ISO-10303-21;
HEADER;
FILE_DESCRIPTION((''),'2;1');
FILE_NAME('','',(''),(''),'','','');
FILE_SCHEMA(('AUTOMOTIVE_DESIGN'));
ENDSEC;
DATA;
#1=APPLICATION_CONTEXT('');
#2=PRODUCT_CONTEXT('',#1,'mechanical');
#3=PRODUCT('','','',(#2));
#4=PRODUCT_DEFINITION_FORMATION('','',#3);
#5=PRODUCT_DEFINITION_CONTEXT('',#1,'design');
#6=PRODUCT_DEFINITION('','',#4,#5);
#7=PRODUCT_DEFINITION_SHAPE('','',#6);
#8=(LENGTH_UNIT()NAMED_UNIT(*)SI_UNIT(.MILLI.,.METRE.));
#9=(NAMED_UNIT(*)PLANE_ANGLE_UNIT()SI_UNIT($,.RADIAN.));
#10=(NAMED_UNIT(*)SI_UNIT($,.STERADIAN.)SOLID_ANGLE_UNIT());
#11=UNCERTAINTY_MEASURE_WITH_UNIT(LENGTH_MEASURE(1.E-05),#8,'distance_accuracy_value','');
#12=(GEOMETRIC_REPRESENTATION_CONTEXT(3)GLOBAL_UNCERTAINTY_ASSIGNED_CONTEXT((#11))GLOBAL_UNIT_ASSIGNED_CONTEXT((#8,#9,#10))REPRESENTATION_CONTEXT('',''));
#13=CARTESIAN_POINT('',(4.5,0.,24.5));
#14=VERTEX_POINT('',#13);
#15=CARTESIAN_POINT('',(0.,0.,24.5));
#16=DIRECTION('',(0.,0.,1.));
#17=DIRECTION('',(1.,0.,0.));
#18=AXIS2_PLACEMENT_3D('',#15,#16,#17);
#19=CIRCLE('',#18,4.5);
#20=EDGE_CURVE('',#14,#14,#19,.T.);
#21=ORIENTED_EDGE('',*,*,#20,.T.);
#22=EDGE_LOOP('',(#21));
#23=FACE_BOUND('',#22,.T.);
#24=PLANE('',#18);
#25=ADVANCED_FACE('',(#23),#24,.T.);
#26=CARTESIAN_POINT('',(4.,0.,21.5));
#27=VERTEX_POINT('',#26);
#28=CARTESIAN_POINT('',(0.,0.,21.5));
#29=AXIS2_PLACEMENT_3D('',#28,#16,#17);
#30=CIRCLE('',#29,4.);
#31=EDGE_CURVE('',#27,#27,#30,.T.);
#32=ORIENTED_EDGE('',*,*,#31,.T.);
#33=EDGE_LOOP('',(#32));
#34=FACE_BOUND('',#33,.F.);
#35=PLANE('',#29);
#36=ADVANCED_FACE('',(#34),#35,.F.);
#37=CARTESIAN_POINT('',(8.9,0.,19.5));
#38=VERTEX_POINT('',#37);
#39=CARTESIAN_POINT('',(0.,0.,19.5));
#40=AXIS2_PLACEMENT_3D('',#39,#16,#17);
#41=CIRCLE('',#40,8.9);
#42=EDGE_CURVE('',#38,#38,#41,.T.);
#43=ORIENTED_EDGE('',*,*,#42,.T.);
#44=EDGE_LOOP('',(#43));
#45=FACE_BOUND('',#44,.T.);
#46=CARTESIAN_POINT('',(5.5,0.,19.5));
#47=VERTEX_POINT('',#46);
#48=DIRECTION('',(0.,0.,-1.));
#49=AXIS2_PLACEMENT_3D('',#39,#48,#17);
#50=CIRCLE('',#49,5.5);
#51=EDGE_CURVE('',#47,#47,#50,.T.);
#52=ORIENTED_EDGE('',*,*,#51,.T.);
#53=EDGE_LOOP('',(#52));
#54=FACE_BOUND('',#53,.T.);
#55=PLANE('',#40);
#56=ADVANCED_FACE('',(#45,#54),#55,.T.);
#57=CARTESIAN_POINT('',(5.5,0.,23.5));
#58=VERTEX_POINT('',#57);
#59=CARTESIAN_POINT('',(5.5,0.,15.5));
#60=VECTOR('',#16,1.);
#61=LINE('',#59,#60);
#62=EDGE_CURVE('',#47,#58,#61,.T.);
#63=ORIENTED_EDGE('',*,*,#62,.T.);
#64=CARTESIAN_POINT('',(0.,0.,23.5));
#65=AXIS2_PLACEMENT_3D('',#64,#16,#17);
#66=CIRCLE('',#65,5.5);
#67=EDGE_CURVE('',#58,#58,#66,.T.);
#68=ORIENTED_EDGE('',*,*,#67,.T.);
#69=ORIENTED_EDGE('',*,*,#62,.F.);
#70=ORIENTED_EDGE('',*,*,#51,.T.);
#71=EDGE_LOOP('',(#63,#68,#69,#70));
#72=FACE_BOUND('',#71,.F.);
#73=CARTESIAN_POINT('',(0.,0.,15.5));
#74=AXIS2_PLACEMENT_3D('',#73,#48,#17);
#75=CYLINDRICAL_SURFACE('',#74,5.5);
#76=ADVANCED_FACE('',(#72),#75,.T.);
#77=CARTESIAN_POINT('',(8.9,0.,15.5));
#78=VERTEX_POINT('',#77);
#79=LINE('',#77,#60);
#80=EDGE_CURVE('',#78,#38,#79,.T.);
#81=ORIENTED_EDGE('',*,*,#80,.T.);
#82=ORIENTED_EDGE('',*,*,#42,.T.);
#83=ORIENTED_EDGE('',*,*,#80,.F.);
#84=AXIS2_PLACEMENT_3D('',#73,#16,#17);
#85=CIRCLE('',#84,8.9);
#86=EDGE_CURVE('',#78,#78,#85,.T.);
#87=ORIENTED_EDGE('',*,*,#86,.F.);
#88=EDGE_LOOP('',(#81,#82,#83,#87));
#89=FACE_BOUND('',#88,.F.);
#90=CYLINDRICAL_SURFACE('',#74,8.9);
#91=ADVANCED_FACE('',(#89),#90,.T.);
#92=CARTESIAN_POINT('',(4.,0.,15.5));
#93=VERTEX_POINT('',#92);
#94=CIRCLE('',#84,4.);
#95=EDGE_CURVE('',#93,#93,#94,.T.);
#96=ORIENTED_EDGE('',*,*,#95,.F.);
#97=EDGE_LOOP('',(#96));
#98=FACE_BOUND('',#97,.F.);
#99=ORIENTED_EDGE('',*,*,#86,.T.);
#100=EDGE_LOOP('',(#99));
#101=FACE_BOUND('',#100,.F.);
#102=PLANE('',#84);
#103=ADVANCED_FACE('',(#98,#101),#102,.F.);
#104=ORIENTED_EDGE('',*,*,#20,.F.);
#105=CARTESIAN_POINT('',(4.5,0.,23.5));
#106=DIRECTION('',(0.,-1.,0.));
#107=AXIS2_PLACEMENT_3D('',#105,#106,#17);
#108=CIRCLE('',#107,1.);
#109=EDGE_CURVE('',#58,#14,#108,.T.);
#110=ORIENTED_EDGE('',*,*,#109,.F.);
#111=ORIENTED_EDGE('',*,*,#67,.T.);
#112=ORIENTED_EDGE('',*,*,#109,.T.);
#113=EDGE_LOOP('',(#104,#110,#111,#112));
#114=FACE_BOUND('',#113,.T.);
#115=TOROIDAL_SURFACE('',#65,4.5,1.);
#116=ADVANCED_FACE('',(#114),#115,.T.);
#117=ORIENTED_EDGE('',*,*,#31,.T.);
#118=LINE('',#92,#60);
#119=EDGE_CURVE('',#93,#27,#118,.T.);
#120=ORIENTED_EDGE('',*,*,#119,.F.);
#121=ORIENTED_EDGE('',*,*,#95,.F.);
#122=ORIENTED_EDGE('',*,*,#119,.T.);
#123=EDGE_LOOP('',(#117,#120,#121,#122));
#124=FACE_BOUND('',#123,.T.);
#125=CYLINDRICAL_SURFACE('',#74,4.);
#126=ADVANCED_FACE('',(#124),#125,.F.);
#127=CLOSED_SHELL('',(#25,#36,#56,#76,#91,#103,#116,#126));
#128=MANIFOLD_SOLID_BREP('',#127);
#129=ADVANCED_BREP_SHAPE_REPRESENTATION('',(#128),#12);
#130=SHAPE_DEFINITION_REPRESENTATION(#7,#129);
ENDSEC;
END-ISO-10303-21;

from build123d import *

# Parameters (mm, degrees)
CYLINDER063_R     = 4
CYLINDER063_DEPTH = 6
CYLINDER064_R     = 5.5
CYLINDER064_DEPTH = 9
FILLET005_R       = 1
CYLINDER065_R     = 8.9
CYLINDER065_DEPTH = 4


with BuildPart() as cylinder063:
    # Cylinder063 → Cylinder063 (new body)
    with BuildSketch(Plane.XY.offset(15.5)):
        Circle(CYLINDER063_R)
    extrude(amount=CYLINDER063_DEPTH)


with BuildPart() as fillet005:
    # Cylinder064 → Cylinder064 (new body)
    with BuildSketch(Plane.XY.offset(15.5)):
        Circle(CYLINDER064_R)
    extrude(amount=CYLINDER064_DEPTH)

    # Fillet005
    fillet005_edges = [fillet005.edges().sort_by_distance(p)[0] for p in [
        (-5.5, 0, 24.5),
    ]]
    fillet(fillet005_edges, radius=FILLET005_R)


with BuildPart() as hub_cap_middle:
    # Cylinder065 → Cylinder065 (new body)
    with BuildSketch(Plane.XY.offset(15.5)):
        Circle(CYLINDER065_R)
    extrude(amount=CYLINDER065_DEPTH)

    # Fusion031: union Fillet005
    add(fillet005.part)

    # Cut015: cut Cylinder063
    add(cylinder063.part, mode=Mode.SUBTRACT)


solid = hub_cap_middle.part
